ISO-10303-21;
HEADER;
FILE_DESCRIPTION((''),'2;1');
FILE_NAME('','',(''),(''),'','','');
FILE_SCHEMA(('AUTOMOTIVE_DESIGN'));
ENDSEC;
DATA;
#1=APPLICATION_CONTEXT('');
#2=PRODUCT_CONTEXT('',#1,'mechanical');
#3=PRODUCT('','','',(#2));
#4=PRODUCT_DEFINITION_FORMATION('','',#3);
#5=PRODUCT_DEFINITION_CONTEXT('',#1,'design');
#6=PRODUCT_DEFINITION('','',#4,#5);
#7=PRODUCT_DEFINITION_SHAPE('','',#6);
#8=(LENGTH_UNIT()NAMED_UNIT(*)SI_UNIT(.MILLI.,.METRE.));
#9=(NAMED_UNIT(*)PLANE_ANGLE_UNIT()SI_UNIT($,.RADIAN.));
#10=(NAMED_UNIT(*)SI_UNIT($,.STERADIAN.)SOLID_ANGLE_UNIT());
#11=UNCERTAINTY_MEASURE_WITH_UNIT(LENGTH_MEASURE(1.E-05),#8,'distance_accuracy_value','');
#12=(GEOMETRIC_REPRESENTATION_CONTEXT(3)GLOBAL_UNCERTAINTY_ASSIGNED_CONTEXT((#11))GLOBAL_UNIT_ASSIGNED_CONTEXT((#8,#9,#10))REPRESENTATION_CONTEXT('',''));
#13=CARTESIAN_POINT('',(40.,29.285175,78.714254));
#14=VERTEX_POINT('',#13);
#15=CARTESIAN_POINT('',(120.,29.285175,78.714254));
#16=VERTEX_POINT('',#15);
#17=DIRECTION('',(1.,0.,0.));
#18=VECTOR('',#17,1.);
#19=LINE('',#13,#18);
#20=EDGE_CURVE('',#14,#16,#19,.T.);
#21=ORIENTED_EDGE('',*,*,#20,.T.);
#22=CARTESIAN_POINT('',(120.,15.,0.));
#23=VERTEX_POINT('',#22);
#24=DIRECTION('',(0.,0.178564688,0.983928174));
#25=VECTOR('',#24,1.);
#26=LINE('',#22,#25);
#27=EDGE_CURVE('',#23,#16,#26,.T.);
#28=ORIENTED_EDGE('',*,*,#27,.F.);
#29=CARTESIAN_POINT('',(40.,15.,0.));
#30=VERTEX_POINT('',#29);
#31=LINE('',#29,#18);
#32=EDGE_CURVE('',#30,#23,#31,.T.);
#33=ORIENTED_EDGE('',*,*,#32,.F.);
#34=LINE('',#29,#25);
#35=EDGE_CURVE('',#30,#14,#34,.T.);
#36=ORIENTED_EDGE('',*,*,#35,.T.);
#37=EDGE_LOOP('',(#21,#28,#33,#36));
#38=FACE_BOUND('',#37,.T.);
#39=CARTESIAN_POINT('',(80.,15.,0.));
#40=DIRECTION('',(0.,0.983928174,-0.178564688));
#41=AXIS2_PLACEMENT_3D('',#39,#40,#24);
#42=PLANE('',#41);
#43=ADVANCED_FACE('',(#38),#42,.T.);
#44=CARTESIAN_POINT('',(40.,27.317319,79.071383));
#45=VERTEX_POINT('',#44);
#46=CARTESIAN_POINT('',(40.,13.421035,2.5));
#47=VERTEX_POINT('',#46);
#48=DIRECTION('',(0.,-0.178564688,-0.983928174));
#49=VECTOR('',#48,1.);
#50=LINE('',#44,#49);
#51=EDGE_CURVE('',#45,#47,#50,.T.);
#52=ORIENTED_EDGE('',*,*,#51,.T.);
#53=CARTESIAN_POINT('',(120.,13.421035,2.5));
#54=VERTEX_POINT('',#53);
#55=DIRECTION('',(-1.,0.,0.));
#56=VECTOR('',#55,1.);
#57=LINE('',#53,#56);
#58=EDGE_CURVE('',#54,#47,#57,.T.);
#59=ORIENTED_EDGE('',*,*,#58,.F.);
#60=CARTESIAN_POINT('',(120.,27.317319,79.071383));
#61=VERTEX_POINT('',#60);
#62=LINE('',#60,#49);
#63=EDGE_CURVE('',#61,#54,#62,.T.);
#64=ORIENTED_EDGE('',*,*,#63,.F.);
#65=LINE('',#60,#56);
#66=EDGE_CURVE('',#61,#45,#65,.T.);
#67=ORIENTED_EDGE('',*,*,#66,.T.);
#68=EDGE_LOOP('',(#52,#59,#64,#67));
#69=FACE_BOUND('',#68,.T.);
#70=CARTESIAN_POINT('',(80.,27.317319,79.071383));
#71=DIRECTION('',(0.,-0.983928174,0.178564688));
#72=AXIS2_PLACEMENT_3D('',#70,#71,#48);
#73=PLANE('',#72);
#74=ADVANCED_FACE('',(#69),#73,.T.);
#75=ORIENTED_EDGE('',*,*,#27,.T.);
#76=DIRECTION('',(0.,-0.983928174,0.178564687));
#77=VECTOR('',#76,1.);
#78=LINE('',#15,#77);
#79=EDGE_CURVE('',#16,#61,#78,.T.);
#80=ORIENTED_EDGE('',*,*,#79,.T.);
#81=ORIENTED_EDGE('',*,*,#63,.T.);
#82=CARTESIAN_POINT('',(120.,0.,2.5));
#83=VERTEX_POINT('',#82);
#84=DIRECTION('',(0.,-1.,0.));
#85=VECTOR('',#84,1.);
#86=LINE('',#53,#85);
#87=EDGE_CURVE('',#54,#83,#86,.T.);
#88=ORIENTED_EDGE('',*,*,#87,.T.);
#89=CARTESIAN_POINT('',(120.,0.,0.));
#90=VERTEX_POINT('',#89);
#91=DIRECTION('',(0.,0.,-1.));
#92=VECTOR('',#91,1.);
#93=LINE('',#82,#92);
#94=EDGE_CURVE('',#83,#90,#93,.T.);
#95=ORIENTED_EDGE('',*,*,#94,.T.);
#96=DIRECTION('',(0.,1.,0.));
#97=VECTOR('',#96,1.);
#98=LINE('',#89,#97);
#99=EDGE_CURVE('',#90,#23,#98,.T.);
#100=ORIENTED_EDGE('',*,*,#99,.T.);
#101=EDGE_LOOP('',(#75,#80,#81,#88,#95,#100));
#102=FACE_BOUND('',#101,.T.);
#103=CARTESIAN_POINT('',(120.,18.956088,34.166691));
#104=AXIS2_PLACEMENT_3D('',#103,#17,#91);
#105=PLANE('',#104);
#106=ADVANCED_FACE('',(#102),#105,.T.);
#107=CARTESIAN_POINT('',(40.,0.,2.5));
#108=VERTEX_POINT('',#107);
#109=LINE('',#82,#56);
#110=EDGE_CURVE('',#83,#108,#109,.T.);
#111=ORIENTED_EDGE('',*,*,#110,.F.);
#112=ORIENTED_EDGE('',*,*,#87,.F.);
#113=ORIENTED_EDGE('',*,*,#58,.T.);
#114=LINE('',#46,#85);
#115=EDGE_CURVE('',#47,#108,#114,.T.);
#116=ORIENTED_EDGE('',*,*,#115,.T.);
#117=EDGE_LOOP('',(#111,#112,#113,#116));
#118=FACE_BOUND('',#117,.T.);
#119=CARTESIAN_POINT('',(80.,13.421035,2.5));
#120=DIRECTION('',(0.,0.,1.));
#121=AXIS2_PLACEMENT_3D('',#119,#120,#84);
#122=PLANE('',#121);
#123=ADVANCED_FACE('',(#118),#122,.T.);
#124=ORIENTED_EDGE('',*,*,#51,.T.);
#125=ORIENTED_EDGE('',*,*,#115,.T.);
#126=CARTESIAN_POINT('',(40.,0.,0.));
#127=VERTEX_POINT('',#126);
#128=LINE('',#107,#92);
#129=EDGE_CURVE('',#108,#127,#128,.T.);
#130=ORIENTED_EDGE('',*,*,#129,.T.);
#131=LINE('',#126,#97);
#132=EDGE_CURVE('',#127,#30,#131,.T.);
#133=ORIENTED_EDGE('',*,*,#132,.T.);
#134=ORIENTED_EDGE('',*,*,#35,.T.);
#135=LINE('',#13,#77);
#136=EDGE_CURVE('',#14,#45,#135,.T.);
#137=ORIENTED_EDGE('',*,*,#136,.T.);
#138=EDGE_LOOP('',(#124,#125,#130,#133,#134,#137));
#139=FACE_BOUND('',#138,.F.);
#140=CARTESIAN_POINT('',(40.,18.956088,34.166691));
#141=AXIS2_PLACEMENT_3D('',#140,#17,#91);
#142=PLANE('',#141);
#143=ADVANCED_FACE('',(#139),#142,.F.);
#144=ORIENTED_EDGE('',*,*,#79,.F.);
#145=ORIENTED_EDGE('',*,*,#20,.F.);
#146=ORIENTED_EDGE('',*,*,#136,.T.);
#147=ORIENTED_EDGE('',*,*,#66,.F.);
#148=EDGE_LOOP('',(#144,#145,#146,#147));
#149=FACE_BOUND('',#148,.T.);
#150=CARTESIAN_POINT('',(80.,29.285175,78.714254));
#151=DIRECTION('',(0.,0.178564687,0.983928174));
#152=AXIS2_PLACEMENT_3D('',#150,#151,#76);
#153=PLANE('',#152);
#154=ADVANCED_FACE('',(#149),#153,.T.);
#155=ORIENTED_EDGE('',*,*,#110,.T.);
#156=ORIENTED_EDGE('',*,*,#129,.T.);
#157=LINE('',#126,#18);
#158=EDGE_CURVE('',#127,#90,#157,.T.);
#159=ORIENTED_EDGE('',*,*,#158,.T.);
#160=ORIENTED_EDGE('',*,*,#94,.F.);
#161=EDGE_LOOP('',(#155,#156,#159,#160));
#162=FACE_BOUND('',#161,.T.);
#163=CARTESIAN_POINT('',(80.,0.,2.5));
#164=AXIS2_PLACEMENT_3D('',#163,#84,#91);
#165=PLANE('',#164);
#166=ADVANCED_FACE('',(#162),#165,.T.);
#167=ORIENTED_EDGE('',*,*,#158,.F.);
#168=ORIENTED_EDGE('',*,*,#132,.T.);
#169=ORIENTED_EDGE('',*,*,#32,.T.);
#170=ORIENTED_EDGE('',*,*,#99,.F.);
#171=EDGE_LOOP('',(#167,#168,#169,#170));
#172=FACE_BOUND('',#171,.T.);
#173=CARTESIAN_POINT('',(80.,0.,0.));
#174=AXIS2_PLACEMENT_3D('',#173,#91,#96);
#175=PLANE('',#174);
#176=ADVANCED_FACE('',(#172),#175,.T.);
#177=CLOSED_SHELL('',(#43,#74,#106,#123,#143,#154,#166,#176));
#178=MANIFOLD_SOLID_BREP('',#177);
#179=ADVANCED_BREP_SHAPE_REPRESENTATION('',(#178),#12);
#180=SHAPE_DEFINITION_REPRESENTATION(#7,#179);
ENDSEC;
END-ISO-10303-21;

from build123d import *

# Parameters (mm, degrees)
RESSALTO_EXTRUS_O1_DEPTH = 40


with BuildPart() as part:
    # Esboço1 → Ressalto-extrusão1 (new body, symmetric)
    with BuildSketch(Plane(origin=(80, 0, 0), x_dir=(0, 0, -1), z_dir=(1, 0, 0))):
        Polygon((-2.5, 0), (0, 0), (0, 15), (-78.714253951, 29.285175007), (-79.071383326, 27.317318658), (-2.5, 13.421034867), align=None)
    extrude(amount=RESSALTO_EXTRUS_O1_DEPTH, both=True)


solid = part.part
